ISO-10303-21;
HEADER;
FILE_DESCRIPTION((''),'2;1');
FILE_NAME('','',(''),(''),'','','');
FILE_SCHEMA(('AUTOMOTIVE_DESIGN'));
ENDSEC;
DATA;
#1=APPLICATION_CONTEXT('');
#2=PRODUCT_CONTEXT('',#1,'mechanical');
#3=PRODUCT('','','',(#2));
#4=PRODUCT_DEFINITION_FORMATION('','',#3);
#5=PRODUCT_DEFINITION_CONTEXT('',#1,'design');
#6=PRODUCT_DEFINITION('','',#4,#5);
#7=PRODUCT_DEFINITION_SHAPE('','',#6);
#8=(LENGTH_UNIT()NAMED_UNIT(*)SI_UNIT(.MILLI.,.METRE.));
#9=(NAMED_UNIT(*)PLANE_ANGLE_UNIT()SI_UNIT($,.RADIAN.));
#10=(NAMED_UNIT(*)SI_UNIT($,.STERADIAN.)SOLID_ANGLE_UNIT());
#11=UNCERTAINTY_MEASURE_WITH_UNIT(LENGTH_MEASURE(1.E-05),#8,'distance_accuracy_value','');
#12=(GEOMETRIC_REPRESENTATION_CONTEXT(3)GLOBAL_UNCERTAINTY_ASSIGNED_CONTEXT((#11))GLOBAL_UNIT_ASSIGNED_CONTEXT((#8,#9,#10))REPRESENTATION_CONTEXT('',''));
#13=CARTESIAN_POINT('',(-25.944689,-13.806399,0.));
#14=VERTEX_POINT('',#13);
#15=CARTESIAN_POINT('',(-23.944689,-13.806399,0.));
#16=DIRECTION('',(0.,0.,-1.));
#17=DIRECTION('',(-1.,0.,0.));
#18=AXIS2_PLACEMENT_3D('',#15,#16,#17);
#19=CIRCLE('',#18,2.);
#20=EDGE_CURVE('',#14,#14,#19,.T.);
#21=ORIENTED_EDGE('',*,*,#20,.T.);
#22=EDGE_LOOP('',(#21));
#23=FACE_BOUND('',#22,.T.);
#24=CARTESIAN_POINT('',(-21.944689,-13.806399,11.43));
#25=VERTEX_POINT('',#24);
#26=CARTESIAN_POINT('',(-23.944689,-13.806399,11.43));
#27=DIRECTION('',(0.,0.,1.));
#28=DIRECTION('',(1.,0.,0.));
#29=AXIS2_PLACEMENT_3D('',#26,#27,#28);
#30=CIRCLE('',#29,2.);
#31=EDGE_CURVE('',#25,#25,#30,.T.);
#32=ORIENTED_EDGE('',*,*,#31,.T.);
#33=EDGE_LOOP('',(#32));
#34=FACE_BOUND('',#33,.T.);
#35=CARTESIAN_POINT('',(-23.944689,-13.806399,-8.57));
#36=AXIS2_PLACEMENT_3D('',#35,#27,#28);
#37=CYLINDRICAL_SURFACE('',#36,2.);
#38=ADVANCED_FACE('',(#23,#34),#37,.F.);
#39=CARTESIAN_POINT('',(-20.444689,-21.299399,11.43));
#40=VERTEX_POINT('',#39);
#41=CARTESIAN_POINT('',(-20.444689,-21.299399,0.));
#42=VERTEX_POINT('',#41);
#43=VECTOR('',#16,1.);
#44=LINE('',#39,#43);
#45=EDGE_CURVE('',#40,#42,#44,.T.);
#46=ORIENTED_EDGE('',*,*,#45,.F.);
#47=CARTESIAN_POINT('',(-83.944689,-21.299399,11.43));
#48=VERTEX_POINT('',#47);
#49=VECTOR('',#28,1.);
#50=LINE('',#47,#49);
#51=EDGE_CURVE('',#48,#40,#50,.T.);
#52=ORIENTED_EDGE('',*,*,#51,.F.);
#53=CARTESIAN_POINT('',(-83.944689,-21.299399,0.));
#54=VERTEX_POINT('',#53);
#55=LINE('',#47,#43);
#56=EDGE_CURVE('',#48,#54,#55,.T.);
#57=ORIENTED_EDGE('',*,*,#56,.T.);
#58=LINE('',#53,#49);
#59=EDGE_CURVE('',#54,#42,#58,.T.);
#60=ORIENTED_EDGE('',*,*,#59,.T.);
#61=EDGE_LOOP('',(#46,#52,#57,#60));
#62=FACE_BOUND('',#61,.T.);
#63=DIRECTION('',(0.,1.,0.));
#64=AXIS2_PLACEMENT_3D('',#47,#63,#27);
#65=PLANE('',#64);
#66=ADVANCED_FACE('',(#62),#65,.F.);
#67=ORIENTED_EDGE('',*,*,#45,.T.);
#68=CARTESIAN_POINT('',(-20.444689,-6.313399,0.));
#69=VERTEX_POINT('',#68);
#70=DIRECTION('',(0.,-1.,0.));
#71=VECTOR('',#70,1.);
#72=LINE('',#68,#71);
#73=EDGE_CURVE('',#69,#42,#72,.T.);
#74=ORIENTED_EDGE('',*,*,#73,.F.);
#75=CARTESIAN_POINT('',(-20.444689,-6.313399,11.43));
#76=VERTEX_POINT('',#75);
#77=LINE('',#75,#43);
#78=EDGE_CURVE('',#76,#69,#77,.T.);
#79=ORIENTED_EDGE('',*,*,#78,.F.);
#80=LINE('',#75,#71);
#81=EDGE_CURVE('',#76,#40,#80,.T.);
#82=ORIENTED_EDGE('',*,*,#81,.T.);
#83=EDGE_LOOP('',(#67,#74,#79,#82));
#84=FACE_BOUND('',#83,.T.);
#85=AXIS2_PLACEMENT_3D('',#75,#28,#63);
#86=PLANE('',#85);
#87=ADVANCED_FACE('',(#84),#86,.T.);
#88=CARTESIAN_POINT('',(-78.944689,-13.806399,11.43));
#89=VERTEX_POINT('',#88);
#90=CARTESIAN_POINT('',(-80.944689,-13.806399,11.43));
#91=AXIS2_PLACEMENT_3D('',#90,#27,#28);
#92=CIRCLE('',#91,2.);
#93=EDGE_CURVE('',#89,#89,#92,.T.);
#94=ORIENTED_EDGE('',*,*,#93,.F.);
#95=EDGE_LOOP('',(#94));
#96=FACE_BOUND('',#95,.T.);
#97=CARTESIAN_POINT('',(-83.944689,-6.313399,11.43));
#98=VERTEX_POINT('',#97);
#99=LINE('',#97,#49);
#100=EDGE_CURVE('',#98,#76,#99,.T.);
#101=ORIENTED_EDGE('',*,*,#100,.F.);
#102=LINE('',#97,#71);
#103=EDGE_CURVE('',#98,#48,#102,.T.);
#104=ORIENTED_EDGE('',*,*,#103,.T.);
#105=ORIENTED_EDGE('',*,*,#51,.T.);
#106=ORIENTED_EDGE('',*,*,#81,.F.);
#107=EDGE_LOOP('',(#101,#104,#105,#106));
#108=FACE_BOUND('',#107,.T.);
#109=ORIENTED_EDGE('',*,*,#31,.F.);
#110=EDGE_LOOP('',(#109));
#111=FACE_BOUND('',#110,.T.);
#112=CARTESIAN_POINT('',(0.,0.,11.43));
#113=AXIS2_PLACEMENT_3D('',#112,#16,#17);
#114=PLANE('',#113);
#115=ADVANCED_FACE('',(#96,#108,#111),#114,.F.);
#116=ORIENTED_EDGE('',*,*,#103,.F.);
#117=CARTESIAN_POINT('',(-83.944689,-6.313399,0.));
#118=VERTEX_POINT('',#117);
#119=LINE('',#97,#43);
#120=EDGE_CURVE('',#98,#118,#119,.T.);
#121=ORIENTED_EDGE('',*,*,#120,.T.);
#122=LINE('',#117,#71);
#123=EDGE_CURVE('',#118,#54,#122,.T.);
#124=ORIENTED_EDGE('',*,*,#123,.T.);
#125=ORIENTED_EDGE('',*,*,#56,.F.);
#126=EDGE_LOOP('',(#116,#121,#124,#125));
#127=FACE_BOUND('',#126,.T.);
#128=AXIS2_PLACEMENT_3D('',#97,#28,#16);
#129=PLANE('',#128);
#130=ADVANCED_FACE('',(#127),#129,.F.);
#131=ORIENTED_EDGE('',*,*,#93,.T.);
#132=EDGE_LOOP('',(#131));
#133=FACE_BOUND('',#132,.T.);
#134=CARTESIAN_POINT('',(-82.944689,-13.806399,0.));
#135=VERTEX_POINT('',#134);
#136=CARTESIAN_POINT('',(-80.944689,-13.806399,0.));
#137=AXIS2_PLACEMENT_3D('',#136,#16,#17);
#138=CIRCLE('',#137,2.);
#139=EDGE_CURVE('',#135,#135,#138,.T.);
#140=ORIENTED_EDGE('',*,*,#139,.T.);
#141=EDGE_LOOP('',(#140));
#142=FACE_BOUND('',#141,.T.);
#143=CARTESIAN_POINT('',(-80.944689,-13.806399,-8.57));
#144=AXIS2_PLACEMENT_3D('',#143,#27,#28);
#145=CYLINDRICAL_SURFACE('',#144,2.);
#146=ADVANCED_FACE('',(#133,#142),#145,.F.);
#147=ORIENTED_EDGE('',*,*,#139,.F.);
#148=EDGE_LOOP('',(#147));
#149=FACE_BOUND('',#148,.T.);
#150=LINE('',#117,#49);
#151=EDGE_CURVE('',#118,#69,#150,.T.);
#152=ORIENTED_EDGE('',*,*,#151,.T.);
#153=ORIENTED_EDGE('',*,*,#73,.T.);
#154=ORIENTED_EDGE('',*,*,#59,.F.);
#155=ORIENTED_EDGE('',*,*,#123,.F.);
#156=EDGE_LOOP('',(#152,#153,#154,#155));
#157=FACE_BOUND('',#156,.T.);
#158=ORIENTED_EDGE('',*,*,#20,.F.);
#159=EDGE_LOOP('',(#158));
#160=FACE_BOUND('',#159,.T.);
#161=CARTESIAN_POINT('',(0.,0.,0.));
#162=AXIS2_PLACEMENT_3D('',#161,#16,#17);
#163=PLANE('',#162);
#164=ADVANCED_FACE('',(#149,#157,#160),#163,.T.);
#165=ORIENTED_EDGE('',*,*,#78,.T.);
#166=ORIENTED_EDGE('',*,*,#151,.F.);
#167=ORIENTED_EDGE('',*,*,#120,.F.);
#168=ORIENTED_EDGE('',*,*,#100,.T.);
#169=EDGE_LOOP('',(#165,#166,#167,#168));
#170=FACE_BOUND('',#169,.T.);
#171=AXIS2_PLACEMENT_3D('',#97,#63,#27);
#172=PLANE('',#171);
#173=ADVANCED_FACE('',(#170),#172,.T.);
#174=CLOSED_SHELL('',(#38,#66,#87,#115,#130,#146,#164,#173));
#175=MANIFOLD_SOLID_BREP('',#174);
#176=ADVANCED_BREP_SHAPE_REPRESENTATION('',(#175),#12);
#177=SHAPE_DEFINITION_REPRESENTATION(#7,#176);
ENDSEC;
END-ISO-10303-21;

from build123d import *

# Parameters (mm, degrees)
SKETCH1_W           = 63.5
SKETCH1_H           = 14.986
BOSS_EXTRUDE1_DEPTH = 11.43
SKETCH2_R           = 2
CUT_EXTRUDE3_DEPTH  = 20


with BuildPart() as part:
    # Sketch1 → Boss-Extrude1 (new body)
    with BuildSketch(Plane.XY):
        with Locations((-52.194689379, -13.806398798)):
            Rectangle(SKETCH1_W, SKETCH1_H)
    extrude(amount=BOSS_EXTRUDE1_DEPTH)

    # Sketch2 → Cut-Extrude3 (cut)
    with BuildSketch(Plane.XY.offset(11.43)):
        with Locations((-80.944689379, -13.806398798)):
            Circle(SKETCH2_R)
        with Locations((-23.944689379, -13.806398798)):
            Circle(SKETCH2_R)
    extrude(amount=-CUT_EXTRUDE3_DEPTH, mode=Mode.SUBTRACT)


solid = part.part
